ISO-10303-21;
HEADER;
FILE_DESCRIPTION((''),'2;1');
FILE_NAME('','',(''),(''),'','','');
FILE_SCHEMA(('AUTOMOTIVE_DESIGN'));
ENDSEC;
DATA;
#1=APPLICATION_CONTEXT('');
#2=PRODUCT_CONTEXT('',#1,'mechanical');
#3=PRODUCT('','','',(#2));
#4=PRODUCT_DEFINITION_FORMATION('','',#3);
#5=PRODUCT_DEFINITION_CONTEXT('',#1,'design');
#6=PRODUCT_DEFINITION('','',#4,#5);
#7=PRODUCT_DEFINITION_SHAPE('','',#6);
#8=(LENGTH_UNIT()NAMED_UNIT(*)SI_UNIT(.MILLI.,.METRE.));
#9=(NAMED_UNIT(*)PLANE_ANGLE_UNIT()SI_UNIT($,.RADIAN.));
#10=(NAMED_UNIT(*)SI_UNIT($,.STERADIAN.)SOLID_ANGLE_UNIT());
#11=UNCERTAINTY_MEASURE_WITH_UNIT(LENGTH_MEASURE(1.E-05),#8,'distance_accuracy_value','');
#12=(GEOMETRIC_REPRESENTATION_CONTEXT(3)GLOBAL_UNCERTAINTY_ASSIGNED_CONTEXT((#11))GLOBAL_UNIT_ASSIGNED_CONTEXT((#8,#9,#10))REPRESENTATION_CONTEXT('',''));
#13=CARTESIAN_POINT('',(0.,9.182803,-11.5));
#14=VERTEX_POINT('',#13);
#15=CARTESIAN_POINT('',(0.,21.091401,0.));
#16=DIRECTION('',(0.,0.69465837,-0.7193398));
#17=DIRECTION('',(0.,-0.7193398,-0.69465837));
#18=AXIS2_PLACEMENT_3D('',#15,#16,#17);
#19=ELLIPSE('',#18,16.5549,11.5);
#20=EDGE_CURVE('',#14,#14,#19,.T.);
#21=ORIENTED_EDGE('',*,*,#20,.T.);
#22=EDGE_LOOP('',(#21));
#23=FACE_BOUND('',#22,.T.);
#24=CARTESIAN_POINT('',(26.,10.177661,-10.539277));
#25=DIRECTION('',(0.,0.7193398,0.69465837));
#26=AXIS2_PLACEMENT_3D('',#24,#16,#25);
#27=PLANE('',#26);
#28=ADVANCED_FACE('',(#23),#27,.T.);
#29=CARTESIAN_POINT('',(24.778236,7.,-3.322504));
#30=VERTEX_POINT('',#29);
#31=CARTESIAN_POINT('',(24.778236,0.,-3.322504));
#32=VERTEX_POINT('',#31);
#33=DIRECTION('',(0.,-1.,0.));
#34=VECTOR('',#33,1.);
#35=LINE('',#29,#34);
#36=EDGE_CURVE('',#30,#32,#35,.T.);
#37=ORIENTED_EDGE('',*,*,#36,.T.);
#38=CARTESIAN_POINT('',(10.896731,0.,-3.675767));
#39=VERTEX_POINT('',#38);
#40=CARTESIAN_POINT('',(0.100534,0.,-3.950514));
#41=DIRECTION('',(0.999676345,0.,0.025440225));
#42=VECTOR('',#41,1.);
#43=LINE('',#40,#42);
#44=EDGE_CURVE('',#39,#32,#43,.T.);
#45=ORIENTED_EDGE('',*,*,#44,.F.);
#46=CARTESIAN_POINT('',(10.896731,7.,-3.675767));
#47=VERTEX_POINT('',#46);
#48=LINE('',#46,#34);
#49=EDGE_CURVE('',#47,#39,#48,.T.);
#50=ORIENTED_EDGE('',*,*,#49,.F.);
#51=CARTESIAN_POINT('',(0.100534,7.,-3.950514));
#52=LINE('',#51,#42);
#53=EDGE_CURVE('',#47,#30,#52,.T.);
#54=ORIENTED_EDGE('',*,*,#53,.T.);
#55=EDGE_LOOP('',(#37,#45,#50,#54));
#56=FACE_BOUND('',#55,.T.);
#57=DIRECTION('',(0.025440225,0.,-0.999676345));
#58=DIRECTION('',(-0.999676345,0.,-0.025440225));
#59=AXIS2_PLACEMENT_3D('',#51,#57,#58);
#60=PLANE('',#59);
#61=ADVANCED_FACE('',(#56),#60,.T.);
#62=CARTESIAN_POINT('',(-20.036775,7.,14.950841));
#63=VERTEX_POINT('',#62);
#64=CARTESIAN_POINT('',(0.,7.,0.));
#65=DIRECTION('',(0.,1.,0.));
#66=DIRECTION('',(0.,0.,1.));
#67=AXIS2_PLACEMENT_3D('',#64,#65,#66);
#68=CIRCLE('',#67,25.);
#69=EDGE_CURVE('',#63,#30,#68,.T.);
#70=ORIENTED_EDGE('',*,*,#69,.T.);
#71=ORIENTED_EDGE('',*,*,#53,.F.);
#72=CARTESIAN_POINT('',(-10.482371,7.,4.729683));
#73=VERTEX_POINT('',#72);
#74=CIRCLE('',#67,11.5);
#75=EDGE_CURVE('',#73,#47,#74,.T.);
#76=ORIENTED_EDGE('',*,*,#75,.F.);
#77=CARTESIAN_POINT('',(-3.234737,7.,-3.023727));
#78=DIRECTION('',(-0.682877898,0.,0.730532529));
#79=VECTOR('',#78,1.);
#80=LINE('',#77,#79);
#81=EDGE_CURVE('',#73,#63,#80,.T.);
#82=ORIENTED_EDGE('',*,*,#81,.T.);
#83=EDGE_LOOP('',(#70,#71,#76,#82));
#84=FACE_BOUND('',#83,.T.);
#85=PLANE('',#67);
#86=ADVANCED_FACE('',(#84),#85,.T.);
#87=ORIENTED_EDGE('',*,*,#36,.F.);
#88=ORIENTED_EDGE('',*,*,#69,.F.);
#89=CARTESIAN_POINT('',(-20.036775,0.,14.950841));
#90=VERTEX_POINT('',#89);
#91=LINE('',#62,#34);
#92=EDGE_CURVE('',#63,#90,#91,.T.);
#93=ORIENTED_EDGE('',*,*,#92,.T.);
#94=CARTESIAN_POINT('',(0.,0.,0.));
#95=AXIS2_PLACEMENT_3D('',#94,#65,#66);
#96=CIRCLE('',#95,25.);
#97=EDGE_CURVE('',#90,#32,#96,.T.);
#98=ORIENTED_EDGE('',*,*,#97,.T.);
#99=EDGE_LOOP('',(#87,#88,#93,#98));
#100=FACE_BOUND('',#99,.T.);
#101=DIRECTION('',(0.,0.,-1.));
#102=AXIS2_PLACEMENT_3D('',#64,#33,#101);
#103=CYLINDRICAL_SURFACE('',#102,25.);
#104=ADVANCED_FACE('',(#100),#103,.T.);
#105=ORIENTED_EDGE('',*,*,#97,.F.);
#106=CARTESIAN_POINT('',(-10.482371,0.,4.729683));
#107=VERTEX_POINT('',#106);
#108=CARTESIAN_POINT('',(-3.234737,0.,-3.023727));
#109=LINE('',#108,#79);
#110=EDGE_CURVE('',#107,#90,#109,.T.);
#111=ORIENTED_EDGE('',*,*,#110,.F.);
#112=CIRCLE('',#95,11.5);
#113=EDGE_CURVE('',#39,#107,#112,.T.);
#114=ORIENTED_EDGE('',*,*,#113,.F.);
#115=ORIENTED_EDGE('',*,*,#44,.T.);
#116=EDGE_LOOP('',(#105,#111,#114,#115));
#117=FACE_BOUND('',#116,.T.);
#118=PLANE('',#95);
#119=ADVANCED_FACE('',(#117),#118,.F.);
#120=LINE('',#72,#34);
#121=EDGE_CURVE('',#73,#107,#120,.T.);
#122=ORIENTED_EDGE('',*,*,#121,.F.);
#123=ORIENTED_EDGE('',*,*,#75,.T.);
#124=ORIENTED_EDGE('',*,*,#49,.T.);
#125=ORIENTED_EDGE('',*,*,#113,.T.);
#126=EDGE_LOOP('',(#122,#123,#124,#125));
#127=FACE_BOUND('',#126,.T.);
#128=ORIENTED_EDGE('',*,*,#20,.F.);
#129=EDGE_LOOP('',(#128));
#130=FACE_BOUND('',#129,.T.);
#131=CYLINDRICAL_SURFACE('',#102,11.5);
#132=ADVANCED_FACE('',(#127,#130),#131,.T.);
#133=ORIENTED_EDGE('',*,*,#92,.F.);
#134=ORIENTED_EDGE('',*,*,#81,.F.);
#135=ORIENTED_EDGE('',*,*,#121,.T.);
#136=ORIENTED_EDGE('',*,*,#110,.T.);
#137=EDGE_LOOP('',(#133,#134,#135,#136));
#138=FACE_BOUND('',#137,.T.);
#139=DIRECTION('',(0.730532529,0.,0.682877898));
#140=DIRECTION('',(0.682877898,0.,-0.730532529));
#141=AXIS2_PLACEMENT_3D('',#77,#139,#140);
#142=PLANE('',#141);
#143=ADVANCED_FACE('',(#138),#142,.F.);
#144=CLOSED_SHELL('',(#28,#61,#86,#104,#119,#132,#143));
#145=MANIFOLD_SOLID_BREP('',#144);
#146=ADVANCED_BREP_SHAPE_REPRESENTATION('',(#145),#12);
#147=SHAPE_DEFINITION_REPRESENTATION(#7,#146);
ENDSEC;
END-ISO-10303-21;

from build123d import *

# Parameters (mm, degrees)
BOSS_EXTRUDE1_DEPTH     = 7
SKETCH2_R               = 11.5
BOSS_EXTRUDE2_DEPTH     = 26
CUT_EXTRUDE1_DEPTH      = 26
CUT_EXTRUDE1_DEPTH_BACK = 26


with BuildPart() as part:
    # Sketch1 → Boss-Extrude1 (new body)
    with BuildSketch(Plane(origin=(0, 0, 0), x_dir=(1, 0, 0), z_dir=(0, 1, 0))):
        with BuildLine():
            Line((24.778235728, 3.32250421), (10.896730509, 3.67576716))
            ThreePointArc((10.896730509, 3.67576716), (-4.207828527, 10.702531433), (-10.482370924, -4.729682845))
            Line((-10.482370924, -4.729682845), (-20.036775025, -14.950841))
            ThreePointArc((-20.036775025, -14.950841), (9.439234539, -23.149532421), (24.778235728, 3.32250421))
        make_face()
    extrude(amount=BOSS_EXTRUDE1_DEPTH)

    # Sketch2 → Boss-Extrude2 (add)
    with BuildSketch(Plane(origin=(0, 7, 0), x_dir=(1, 0, 0), z_dir=(0, 1, 0))):
        Circle(SKETCH2_R)
    extrude(amount=BOSS_EXTRUDE2_DEPTH)

    # Sketch5 → Cut-Extrude1 (cut, two sides: drawn at the far end of the back side and taken through both)
    with BuildSketch(Plane(origin=(0, 0, 0), x_dir=(0, 0, -1), z_dir=(1, 0, 0)).offset(-CUT_EXTRUDE1_DEPTH_BACK)):
        Polygon((11.5, 33), (-11.5, 33), (11.5, 9.182802783), align=None)
    extrude(amount=CUT_EXTRUDE1_DEPTH + CUT_EXTRUDE1_DEPTH_BACK, mode=Mode.SUBTRACT)


solid = part.part
